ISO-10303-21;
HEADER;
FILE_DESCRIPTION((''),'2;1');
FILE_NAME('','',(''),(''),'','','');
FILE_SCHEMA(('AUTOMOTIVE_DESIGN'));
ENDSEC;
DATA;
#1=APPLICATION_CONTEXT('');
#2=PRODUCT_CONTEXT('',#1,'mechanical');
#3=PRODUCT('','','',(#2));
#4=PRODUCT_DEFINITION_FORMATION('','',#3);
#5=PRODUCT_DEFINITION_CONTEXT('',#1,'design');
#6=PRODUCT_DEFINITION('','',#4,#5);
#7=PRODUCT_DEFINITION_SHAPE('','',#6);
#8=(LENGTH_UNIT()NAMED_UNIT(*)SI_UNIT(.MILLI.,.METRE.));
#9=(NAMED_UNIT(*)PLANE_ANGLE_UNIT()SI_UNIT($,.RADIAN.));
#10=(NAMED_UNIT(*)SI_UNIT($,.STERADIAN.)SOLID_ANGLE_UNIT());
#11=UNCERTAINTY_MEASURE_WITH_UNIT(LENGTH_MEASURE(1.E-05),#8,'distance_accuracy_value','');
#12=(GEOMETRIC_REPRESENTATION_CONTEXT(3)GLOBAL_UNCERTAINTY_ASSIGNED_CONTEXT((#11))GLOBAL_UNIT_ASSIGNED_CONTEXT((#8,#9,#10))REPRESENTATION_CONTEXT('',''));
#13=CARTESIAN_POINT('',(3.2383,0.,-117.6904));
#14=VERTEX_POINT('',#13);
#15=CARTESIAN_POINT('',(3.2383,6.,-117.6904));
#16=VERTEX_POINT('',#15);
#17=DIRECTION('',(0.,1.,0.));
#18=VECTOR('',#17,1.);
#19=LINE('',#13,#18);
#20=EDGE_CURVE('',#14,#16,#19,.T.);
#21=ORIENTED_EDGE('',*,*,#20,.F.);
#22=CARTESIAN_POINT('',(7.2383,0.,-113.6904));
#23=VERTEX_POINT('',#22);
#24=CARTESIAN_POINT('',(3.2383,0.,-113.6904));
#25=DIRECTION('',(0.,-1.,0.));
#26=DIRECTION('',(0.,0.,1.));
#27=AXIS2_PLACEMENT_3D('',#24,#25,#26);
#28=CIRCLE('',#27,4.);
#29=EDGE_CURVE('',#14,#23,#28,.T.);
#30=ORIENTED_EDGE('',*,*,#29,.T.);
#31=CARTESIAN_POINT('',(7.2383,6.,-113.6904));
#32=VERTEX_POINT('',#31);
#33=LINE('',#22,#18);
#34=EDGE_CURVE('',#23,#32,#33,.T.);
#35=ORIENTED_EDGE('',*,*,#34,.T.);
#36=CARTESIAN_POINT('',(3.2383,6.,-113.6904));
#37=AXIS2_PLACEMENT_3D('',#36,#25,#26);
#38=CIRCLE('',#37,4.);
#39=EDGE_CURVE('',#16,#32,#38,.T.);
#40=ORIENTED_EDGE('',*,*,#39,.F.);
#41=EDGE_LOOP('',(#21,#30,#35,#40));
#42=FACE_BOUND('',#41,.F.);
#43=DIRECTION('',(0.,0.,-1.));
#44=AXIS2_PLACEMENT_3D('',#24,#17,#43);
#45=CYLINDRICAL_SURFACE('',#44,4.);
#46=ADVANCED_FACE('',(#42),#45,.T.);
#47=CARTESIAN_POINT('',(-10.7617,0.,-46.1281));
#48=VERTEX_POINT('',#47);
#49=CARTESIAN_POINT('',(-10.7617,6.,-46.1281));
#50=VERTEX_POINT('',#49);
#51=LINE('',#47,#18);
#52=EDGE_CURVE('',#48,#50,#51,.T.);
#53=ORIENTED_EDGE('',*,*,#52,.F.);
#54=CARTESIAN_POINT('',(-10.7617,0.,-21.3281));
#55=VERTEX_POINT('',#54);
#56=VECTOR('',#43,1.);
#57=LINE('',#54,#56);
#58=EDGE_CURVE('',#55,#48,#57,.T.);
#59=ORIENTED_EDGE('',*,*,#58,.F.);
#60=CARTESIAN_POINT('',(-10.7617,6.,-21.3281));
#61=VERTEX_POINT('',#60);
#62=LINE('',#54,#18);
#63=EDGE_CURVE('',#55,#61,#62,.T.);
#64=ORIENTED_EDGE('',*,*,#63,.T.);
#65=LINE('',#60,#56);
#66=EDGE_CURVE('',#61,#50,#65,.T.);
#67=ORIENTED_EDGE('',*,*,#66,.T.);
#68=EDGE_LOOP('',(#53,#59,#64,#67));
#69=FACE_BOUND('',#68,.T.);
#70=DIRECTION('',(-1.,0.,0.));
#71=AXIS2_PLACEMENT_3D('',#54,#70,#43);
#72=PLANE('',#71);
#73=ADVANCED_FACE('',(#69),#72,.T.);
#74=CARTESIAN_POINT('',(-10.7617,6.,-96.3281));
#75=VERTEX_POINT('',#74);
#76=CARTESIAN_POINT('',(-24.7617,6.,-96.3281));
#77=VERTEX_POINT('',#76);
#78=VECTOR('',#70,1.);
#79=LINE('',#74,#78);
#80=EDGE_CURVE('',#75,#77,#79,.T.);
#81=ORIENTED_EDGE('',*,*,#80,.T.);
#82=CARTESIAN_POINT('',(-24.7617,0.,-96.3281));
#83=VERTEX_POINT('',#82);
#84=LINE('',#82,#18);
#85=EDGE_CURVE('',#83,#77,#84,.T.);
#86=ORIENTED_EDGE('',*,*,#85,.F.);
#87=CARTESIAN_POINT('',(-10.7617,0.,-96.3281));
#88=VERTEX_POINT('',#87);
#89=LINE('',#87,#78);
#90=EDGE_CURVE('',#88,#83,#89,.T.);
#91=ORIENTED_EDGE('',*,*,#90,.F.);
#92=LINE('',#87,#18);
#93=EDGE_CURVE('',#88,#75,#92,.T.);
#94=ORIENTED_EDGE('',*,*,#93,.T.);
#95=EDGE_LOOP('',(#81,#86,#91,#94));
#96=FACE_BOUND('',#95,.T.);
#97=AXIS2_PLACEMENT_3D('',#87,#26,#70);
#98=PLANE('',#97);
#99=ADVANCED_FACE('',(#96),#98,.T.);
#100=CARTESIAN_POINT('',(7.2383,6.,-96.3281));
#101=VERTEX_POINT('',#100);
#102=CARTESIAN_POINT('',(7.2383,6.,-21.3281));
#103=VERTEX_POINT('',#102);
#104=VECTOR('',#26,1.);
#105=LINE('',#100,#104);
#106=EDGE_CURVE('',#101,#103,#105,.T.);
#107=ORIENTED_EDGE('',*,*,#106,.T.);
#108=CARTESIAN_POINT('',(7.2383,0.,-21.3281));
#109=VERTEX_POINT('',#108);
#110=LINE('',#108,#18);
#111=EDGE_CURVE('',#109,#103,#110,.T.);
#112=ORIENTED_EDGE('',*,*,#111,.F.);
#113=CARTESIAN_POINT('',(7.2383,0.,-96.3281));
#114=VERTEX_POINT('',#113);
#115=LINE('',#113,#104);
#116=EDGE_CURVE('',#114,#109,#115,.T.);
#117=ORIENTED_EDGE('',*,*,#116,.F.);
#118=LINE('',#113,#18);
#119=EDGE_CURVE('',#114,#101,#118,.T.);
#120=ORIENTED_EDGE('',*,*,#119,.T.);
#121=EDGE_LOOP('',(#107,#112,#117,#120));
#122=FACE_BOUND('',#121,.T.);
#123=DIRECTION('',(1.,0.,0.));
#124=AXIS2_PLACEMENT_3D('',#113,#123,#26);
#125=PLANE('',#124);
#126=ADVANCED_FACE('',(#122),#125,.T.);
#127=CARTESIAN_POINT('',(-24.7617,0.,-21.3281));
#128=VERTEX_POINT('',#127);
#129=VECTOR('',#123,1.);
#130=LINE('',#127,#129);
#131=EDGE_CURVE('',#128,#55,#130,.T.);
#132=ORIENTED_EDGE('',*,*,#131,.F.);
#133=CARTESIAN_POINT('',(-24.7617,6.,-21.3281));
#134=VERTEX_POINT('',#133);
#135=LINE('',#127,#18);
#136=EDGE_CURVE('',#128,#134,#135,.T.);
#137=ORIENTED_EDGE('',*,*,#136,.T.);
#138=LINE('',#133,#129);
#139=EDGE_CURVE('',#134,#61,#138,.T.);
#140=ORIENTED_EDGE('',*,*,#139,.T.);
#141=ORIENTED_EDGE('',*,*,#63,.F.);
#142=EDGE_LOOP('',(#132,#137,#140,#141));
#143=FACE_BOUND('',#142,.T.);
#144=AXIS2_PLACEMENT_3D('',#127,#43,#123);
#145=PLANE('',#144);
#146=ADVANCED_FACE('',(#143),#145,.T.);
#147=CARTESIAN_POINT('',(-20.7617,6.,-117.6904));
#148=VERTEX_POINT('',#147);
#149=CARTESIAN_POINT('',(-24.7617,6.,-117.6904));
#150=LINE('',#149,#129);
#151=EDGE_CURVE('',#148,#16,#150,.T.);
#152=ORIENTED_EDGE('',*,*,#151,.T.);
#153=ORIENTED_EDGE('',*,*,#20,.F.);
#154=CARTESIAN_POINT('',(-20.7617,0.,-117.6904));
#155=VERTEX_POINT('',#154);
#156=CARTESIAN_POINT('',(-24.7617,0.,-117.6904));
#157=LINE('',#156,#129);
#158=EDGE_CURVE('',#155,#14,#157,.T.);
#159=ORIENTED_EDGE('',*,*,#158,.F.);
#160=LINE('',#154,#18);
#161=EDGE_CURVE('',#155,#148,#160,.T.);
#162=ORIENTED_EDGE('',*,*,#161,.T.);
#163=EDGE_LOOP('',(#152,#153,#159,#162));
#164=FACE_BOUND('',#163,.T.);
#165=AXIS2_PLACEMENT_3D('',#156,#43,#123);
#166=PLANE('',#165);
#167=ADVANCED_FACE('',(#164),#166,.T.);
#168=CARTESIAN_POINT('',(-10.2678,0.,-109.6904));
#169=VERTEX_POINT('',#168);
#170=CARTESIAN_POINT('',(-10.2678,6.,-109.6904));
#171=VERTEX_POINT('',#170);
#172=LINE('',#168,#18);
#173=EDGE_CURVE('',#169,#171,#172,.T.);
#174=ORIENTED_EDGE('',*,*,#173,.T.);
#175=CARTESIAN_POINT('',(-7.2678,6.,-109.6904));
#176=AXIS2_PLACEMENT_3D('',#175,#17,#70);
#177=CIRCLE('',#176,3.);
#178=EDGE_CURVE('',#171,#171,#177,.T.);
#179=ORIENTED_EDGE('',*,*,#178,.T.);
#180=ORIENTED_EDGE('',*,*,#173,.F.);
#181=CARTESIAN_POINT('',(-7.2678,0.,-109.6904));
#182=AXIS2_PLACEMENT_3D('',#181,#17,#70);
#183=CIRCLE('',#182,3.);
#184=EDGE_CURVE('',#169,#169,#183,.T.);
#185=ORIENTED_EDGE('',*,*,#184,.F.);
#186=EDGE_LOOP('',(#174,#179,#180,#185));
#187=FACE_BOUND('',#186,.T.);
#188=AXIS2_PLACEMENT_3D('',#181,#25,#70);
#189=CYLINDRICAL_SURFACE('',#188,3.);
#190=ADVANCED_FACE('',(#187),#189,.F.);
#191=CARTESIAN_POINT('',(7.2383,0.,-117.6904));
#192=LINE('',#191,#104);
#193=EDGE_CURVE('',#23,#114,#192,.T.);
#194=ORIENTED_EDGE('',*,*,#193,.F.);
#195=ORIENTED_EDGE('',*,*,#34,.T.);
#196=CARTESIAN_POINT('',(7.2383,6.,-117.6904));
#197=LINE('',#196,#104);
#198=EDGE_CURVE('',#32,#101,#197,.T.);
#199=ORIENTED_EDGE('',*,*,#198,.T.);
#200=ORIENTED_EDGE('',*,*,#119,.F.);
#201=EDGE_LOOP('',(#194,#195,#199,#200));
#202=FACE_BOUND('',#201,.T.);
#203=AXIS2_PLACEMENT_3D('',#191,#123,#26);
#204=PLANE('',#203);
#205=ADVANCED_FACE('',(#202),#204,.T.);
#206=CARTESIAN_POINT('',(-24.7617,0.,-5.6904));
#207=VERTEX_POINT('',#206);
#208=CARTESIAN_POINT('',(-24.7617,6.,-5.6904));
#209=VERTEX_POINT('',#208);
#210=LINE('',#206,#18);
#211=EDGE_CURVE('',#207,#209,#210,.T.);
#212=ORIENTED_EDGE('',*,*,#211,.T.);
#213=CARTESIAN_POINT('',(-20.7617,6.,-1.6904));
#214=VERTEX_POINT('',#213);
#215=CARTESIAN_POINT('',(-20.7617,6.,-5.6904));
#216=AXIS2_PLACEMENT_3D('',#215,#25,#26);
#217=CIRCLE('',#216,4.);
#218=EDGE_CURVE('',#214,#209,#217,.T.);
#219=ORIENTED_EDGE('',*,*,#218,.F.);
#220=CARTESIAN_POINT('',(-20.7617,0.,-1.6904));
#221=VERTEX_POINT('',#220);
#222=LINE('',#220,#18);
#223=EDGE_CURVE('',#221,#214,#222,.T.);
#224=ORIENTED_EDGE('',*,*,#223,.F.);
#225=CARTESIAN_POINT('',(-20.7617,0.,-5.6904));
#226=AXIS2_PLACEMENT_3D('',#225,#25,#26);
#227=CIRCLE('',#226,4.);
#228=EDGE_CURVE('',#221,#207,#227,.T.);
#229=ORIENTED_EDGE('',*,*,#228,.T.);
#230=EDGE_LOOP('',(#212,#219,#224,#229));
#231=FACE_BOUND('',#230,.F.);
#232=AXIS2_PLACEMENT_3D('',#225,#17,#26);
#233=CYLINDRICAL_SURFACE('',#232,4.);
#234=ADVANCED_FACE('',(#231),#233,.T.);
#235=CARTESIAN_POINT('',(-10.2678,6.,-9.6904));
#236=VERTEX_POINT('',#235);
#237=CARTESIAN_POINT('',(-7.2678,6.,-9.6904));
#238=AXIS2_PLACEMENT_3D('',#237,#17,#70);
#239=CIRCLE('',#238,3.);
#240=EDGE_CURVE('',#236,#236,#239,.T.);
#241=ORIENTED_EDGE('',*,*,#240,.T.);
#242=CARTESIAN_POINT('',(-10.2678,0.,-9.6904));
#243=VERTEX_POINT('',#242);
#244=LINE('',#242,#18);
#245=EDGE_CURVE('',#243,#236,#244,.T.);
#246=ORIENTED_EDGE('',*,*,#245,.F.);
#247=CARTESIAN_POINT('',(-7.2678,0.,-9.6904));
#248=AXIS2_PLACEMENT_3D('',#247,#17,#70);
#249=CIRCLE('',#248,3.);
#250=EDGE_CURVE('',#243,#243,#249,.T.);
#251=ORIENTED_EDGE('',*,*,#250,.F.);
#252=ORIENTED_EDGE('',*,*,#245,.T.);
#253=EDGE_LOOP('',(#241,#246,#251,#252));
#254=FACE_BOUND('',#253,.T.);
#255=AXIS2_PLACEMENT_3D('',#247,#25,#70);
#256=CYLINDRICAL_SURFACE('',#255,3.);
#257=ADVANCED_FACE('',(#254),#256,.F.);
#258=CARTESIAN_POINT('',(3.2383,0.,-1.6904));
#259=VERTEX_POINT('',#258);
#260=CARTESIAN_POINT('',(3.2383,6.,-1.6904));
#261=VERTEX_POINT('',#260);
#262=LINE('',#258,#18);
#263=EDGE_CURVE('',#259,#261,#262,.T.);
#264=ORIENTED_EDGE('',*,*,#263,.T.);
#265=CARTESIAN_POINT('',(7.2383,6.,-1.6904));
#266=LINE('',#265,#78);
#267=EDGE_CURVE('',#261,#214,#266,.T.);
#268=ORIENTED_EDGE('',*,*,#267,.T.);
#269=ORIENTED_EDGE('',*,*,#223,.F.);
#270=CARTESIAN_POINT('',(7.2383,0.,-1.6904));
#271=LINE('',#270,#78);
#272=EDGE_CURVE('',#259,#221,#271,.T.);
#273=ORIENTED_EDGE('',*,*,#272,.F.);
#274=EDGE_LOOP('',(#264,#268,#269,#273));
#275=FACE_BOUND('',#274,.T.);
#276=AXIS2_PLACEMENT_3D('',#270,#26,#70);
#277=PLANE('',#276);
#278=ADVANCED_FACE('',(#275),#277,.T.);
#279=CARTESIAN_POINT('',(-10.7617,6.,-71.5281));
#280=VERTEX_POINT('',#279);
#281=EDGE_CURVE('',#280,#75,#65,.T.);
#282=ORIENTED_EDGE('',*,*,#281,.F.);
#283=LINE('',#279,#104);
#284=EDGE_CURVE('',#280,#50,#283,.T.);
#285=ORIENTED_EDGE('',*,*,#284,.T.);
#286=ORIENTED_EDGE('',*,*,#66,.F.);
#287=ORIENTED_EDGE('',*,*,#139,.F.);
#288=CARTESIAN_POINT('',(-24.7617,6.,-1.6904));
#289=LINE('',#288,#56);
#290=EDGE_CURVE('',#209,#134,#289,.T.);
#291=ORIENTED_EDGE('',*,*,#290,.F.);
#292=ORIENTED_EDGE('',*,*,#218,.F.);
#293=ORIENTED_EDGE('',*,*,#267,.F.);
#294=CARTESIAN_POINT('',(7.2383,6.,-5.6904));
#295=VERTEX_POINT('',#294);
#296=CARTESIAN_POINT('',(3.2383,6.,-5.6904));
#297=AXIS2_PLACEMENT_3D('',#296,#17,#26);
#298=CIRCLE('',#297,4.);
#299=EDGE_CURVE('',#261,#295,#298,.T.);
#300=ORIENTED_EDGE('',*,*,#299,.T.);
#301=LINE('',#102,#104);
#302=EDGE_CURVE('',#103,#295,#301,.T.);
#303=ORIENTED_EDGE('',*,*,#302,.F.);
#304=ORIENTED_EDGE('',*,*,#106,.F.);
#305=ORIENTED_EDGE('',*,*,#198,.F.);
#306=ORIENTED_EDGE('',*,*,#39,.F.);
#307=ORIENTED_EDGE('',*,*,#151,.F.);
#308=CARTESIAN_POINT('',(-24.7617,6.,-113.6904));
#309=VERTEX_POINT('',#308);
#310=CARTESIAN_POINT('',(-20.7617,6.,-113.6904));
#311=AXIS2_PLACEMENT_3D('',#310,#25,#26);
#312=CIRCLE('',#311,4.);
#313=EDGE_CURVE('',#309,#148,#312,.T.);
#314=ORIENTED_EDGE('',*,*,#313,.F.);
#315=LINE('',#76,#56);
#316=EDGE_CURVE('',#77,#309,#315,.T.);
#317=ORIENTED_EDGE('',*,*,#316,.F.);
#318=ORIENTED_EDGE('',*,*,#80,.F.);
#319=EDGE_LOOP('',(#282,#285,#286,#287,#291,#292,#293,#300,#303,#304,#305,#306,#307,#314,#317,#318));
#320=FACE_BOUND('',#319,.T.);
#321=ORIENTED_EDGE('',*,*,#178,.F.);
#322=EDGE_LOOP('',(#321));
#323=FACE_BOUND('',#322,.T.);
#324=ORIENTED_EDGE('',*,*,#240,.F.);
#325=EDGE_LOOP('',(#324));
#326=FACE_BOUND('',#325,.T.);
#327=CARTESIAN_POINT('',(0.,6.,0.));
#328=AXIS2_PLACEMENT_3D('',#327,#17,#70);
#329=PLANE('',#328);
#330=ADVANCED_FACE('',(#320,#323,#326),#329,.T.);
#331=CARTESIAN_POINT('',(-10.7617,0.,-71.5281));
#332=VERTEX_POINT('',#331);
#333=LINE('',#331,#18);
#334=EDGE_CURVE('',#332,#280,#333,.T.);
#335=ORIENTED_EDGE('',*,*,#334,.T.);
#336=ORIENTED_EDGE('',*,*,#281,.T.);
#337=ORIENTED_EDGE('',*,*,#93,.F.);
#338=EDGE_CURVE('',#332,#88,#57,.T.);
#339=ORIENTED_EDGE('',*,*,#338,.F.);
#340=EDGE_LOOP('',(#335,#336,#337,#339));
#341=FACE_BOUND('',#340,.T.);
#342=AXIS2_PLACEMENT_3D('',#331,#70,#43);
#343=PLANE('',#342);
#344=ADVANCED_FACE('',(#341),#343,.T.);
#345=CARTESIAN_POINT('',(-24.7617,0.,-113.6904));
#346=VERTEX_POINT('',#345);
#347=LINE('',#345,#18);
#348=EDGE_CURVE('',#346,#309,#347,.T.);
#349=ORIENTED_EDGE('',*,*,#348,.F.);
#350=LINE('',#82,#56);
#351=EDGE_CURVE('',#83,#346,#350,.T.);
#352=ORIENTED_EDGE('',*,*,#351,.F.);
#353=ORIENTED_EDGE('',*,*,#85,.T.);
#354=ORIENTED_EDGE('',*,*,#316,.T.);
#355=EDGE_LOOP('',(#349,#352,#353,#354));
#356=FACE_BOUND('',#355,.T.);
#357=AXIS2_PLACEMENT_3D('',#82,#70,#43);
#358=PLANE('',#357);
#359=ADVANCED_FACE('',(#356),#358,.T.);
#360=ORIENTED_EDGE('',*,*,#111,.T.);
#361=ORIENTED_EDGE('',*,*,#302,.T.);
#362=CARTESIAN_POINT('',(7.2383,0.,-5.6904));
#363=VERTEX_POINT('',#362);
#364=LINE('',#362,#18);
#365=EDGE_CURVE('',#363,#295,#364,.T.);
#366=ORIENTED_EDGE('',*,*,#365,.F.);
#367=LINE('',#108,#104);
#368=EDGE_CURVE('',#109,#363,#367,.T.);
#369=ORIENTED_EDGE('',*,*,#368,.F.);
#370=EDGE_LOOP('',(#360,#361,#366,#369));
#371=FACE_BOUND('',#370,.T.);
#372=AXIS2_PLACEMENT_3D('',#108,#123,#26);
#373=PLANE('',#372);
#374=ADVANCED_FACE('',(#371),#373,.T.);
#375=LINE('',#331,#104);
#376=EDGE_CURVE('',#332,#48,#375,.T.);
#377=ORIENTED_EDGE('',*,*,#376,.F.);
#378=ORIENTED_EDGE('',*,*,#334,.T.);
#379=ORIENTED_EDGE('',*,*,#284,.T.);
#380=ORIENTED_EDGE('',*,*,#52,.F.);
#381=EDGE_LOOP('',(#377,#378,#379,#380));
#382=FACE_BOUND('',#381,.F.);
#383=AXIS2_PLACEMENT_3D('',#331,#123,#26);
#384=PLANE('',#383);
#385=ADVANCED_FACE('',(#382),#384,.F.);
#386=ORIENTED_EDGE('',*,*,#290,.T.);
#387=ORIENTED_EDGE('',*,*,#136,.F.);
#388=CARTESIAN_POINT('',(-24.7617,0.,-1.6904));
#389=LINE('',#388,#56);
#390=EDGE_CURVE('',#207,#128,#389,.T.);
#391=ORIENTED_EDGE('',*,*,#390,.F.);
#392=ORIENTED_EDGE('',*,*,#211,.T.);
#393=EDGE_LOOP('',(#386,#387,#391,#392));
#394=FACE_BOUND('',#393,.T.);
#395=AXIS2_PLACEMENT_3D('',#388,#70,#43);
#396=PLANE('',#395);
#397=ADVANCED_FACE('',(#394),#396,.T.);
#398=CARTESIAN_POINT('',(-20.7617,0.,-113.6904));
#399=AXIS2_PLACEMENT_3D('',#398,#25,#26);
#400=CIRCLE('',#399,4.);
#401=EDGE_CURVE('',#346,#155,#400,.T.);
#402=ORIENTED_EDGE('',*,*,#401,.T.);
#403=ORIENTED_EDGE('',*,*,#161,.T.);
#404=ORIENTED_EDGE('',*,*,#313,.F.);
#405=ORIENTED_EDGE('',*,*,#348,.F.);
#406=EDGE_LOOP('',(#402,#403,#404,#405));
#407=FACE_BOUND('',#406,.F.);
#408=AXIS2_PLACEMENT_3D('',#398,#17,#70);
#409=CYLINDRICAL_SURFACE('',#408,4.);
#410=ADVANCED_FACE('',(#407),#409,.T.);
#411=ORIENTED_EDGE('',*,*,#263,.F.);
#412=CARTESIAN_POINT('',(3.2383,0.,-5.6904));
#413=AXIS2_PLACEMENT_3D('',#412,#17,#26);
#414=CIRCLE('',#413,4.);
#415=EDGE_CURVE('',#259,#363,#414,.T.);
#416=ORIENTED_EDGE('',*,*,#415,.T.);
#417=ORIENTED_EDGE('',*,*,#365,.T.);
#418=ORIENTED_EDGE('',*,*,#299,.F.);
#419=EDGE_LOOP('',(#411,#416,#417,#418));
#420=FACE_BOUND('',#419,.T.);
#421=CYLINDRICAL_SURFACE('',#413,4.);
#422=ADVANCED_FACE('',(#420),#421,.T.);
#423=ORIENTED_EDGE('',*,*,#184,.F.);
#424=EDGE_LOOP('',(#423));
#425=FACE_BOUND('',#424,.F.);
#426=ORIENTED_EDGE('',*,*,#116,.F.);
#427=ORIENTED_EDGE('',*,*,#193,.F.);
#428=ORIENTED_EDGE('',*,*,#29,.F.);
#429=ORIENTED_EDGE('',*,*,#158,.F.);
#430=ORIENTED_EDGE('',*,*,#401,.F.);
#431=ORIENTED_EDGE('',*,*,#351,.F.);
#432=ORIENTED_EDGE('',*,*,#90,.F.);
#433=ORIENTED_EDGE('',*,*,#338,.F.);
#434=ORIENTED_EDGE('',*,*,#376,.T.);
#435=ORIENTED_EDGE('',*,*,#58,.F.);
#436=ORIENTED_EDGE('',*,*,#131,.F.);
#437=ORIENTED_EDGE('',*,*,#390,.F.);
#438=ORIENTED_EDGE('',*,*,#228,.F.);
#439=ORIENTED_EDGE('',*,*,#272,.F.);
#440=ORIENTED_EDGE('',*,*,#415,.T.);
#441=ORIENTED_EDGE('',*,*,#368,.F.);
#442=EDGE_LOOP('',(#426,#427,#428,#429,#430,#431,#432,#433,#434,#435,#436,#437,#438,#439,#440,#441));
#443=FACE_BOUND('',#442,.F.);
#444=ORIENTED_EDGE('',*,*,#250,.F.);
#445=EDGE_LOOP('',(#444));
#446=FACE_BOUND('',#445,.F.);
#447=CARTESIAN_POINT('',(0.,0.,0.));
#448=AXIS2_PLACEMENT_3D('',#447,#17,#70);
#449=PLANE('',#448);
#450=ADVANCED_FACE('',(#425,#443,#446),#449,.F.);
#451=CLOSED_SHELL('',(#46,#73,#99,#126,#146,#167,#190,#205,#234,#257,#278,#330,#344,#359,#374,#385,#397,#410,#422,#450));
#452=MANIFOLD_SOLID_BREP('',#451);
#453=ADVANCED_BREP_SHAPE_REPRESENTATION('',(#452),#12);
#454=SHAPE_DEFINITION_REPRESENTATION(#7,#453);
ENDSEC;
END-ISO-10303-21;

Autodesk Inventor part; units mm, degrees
ref_plane "YZ Plane" through (0, 0, 0) normal (1, 0, 0) x (0, 1, 0)
ref_plane "XZ Plane" through (0, 0, 0) normal (0, 1, 0) x (-1, 0, 0)
ref_plane "XY Plane" through (0, 0, 0) normal (0, 0, 1) x (1, 0, 0)
sketch "Sketch1" plane through (0, 0, 0) normal (0, 1, 0) x (-1, 0, 0)
  line L0 (-7.2383, -1.6904) -> (24.7617, -1.6904)
  line L1 (24.7617, -1.6904) -> (24.7617, -21.3281)
  line L2 (24.7617, -21.3281) -> (10.7617, -21.3281)
  line L3 (-7.2383, -21.3281) -> (-7.2383, -1.6904)
  line L4 (10.7617, -21.3281) -> (10.7617, -96.3281)
  line L5 (-7.2383, -96.3281) -> (-7.2383, -21.3281)
  line L6 (10.7617, -96.3281) -> (24.7617, -96.3281)
  line L7 (24.7617, -96.3281) -> (24.7617, -117.6904)
  line L8 (24.7617, -117.6904) -> (-7.2383, -117.6904)
  line L9 (-7.2383, -117.6904) -> (-7.2383, -96.3281)
  circle A0 centre (7.2678, -9.6904) radius 3
  circle A1 centre (7.2678, -109.6904) radius 3
  circle A2 centre (7.2678, -9.6904) radius 2.5 projected
  circle A3 centre (7.2678, -109.6904) radius 2.5 projected
  line L10 (60.7617, -21.3281) -> (10.7617, -21.3281) projected
  line L11 (60.7617, -96.3281) -> (10.7617, -96.3281) projected
  line L12 (10.7617, -71.5281) -> (10.7617, -46.1281) projected
  point P0 (13.365, -96.3281)
  point P1 (13.365, -21.3281)
  point P2 (-7.9182, -57.2241)
  point P3 (-7.9182, -21.3281)
  point P4 (-7.9182, -21.3281)
  point P5 (-7.9182, -96.3281)
  point P6 (-7.9182, -96.3281)
  dimension "d3" = 6
  dimension "d4" = 6
  dimension "d5" = 32
  dimension "d12" = 18
  dimension "d13" = 8
  dimension "d14" = 8
extrude "Extrusion1" add sketch "Sketch1" along normal blind 6 contours L0 L1 L2 L4 L6 L7 L8 L9 L5 L3
fillet "Fillet1" radius 4 4 edges at (7.2383, 3, -1.6904) (7.2383, 3, -117.6904) (-24.7617, 3, -117.6904) (-24.7617, 3, -1.6904)
equation "\"d14\" = d13"
equation "\"d1\" = d3"
properties part number "projectorPlace"
